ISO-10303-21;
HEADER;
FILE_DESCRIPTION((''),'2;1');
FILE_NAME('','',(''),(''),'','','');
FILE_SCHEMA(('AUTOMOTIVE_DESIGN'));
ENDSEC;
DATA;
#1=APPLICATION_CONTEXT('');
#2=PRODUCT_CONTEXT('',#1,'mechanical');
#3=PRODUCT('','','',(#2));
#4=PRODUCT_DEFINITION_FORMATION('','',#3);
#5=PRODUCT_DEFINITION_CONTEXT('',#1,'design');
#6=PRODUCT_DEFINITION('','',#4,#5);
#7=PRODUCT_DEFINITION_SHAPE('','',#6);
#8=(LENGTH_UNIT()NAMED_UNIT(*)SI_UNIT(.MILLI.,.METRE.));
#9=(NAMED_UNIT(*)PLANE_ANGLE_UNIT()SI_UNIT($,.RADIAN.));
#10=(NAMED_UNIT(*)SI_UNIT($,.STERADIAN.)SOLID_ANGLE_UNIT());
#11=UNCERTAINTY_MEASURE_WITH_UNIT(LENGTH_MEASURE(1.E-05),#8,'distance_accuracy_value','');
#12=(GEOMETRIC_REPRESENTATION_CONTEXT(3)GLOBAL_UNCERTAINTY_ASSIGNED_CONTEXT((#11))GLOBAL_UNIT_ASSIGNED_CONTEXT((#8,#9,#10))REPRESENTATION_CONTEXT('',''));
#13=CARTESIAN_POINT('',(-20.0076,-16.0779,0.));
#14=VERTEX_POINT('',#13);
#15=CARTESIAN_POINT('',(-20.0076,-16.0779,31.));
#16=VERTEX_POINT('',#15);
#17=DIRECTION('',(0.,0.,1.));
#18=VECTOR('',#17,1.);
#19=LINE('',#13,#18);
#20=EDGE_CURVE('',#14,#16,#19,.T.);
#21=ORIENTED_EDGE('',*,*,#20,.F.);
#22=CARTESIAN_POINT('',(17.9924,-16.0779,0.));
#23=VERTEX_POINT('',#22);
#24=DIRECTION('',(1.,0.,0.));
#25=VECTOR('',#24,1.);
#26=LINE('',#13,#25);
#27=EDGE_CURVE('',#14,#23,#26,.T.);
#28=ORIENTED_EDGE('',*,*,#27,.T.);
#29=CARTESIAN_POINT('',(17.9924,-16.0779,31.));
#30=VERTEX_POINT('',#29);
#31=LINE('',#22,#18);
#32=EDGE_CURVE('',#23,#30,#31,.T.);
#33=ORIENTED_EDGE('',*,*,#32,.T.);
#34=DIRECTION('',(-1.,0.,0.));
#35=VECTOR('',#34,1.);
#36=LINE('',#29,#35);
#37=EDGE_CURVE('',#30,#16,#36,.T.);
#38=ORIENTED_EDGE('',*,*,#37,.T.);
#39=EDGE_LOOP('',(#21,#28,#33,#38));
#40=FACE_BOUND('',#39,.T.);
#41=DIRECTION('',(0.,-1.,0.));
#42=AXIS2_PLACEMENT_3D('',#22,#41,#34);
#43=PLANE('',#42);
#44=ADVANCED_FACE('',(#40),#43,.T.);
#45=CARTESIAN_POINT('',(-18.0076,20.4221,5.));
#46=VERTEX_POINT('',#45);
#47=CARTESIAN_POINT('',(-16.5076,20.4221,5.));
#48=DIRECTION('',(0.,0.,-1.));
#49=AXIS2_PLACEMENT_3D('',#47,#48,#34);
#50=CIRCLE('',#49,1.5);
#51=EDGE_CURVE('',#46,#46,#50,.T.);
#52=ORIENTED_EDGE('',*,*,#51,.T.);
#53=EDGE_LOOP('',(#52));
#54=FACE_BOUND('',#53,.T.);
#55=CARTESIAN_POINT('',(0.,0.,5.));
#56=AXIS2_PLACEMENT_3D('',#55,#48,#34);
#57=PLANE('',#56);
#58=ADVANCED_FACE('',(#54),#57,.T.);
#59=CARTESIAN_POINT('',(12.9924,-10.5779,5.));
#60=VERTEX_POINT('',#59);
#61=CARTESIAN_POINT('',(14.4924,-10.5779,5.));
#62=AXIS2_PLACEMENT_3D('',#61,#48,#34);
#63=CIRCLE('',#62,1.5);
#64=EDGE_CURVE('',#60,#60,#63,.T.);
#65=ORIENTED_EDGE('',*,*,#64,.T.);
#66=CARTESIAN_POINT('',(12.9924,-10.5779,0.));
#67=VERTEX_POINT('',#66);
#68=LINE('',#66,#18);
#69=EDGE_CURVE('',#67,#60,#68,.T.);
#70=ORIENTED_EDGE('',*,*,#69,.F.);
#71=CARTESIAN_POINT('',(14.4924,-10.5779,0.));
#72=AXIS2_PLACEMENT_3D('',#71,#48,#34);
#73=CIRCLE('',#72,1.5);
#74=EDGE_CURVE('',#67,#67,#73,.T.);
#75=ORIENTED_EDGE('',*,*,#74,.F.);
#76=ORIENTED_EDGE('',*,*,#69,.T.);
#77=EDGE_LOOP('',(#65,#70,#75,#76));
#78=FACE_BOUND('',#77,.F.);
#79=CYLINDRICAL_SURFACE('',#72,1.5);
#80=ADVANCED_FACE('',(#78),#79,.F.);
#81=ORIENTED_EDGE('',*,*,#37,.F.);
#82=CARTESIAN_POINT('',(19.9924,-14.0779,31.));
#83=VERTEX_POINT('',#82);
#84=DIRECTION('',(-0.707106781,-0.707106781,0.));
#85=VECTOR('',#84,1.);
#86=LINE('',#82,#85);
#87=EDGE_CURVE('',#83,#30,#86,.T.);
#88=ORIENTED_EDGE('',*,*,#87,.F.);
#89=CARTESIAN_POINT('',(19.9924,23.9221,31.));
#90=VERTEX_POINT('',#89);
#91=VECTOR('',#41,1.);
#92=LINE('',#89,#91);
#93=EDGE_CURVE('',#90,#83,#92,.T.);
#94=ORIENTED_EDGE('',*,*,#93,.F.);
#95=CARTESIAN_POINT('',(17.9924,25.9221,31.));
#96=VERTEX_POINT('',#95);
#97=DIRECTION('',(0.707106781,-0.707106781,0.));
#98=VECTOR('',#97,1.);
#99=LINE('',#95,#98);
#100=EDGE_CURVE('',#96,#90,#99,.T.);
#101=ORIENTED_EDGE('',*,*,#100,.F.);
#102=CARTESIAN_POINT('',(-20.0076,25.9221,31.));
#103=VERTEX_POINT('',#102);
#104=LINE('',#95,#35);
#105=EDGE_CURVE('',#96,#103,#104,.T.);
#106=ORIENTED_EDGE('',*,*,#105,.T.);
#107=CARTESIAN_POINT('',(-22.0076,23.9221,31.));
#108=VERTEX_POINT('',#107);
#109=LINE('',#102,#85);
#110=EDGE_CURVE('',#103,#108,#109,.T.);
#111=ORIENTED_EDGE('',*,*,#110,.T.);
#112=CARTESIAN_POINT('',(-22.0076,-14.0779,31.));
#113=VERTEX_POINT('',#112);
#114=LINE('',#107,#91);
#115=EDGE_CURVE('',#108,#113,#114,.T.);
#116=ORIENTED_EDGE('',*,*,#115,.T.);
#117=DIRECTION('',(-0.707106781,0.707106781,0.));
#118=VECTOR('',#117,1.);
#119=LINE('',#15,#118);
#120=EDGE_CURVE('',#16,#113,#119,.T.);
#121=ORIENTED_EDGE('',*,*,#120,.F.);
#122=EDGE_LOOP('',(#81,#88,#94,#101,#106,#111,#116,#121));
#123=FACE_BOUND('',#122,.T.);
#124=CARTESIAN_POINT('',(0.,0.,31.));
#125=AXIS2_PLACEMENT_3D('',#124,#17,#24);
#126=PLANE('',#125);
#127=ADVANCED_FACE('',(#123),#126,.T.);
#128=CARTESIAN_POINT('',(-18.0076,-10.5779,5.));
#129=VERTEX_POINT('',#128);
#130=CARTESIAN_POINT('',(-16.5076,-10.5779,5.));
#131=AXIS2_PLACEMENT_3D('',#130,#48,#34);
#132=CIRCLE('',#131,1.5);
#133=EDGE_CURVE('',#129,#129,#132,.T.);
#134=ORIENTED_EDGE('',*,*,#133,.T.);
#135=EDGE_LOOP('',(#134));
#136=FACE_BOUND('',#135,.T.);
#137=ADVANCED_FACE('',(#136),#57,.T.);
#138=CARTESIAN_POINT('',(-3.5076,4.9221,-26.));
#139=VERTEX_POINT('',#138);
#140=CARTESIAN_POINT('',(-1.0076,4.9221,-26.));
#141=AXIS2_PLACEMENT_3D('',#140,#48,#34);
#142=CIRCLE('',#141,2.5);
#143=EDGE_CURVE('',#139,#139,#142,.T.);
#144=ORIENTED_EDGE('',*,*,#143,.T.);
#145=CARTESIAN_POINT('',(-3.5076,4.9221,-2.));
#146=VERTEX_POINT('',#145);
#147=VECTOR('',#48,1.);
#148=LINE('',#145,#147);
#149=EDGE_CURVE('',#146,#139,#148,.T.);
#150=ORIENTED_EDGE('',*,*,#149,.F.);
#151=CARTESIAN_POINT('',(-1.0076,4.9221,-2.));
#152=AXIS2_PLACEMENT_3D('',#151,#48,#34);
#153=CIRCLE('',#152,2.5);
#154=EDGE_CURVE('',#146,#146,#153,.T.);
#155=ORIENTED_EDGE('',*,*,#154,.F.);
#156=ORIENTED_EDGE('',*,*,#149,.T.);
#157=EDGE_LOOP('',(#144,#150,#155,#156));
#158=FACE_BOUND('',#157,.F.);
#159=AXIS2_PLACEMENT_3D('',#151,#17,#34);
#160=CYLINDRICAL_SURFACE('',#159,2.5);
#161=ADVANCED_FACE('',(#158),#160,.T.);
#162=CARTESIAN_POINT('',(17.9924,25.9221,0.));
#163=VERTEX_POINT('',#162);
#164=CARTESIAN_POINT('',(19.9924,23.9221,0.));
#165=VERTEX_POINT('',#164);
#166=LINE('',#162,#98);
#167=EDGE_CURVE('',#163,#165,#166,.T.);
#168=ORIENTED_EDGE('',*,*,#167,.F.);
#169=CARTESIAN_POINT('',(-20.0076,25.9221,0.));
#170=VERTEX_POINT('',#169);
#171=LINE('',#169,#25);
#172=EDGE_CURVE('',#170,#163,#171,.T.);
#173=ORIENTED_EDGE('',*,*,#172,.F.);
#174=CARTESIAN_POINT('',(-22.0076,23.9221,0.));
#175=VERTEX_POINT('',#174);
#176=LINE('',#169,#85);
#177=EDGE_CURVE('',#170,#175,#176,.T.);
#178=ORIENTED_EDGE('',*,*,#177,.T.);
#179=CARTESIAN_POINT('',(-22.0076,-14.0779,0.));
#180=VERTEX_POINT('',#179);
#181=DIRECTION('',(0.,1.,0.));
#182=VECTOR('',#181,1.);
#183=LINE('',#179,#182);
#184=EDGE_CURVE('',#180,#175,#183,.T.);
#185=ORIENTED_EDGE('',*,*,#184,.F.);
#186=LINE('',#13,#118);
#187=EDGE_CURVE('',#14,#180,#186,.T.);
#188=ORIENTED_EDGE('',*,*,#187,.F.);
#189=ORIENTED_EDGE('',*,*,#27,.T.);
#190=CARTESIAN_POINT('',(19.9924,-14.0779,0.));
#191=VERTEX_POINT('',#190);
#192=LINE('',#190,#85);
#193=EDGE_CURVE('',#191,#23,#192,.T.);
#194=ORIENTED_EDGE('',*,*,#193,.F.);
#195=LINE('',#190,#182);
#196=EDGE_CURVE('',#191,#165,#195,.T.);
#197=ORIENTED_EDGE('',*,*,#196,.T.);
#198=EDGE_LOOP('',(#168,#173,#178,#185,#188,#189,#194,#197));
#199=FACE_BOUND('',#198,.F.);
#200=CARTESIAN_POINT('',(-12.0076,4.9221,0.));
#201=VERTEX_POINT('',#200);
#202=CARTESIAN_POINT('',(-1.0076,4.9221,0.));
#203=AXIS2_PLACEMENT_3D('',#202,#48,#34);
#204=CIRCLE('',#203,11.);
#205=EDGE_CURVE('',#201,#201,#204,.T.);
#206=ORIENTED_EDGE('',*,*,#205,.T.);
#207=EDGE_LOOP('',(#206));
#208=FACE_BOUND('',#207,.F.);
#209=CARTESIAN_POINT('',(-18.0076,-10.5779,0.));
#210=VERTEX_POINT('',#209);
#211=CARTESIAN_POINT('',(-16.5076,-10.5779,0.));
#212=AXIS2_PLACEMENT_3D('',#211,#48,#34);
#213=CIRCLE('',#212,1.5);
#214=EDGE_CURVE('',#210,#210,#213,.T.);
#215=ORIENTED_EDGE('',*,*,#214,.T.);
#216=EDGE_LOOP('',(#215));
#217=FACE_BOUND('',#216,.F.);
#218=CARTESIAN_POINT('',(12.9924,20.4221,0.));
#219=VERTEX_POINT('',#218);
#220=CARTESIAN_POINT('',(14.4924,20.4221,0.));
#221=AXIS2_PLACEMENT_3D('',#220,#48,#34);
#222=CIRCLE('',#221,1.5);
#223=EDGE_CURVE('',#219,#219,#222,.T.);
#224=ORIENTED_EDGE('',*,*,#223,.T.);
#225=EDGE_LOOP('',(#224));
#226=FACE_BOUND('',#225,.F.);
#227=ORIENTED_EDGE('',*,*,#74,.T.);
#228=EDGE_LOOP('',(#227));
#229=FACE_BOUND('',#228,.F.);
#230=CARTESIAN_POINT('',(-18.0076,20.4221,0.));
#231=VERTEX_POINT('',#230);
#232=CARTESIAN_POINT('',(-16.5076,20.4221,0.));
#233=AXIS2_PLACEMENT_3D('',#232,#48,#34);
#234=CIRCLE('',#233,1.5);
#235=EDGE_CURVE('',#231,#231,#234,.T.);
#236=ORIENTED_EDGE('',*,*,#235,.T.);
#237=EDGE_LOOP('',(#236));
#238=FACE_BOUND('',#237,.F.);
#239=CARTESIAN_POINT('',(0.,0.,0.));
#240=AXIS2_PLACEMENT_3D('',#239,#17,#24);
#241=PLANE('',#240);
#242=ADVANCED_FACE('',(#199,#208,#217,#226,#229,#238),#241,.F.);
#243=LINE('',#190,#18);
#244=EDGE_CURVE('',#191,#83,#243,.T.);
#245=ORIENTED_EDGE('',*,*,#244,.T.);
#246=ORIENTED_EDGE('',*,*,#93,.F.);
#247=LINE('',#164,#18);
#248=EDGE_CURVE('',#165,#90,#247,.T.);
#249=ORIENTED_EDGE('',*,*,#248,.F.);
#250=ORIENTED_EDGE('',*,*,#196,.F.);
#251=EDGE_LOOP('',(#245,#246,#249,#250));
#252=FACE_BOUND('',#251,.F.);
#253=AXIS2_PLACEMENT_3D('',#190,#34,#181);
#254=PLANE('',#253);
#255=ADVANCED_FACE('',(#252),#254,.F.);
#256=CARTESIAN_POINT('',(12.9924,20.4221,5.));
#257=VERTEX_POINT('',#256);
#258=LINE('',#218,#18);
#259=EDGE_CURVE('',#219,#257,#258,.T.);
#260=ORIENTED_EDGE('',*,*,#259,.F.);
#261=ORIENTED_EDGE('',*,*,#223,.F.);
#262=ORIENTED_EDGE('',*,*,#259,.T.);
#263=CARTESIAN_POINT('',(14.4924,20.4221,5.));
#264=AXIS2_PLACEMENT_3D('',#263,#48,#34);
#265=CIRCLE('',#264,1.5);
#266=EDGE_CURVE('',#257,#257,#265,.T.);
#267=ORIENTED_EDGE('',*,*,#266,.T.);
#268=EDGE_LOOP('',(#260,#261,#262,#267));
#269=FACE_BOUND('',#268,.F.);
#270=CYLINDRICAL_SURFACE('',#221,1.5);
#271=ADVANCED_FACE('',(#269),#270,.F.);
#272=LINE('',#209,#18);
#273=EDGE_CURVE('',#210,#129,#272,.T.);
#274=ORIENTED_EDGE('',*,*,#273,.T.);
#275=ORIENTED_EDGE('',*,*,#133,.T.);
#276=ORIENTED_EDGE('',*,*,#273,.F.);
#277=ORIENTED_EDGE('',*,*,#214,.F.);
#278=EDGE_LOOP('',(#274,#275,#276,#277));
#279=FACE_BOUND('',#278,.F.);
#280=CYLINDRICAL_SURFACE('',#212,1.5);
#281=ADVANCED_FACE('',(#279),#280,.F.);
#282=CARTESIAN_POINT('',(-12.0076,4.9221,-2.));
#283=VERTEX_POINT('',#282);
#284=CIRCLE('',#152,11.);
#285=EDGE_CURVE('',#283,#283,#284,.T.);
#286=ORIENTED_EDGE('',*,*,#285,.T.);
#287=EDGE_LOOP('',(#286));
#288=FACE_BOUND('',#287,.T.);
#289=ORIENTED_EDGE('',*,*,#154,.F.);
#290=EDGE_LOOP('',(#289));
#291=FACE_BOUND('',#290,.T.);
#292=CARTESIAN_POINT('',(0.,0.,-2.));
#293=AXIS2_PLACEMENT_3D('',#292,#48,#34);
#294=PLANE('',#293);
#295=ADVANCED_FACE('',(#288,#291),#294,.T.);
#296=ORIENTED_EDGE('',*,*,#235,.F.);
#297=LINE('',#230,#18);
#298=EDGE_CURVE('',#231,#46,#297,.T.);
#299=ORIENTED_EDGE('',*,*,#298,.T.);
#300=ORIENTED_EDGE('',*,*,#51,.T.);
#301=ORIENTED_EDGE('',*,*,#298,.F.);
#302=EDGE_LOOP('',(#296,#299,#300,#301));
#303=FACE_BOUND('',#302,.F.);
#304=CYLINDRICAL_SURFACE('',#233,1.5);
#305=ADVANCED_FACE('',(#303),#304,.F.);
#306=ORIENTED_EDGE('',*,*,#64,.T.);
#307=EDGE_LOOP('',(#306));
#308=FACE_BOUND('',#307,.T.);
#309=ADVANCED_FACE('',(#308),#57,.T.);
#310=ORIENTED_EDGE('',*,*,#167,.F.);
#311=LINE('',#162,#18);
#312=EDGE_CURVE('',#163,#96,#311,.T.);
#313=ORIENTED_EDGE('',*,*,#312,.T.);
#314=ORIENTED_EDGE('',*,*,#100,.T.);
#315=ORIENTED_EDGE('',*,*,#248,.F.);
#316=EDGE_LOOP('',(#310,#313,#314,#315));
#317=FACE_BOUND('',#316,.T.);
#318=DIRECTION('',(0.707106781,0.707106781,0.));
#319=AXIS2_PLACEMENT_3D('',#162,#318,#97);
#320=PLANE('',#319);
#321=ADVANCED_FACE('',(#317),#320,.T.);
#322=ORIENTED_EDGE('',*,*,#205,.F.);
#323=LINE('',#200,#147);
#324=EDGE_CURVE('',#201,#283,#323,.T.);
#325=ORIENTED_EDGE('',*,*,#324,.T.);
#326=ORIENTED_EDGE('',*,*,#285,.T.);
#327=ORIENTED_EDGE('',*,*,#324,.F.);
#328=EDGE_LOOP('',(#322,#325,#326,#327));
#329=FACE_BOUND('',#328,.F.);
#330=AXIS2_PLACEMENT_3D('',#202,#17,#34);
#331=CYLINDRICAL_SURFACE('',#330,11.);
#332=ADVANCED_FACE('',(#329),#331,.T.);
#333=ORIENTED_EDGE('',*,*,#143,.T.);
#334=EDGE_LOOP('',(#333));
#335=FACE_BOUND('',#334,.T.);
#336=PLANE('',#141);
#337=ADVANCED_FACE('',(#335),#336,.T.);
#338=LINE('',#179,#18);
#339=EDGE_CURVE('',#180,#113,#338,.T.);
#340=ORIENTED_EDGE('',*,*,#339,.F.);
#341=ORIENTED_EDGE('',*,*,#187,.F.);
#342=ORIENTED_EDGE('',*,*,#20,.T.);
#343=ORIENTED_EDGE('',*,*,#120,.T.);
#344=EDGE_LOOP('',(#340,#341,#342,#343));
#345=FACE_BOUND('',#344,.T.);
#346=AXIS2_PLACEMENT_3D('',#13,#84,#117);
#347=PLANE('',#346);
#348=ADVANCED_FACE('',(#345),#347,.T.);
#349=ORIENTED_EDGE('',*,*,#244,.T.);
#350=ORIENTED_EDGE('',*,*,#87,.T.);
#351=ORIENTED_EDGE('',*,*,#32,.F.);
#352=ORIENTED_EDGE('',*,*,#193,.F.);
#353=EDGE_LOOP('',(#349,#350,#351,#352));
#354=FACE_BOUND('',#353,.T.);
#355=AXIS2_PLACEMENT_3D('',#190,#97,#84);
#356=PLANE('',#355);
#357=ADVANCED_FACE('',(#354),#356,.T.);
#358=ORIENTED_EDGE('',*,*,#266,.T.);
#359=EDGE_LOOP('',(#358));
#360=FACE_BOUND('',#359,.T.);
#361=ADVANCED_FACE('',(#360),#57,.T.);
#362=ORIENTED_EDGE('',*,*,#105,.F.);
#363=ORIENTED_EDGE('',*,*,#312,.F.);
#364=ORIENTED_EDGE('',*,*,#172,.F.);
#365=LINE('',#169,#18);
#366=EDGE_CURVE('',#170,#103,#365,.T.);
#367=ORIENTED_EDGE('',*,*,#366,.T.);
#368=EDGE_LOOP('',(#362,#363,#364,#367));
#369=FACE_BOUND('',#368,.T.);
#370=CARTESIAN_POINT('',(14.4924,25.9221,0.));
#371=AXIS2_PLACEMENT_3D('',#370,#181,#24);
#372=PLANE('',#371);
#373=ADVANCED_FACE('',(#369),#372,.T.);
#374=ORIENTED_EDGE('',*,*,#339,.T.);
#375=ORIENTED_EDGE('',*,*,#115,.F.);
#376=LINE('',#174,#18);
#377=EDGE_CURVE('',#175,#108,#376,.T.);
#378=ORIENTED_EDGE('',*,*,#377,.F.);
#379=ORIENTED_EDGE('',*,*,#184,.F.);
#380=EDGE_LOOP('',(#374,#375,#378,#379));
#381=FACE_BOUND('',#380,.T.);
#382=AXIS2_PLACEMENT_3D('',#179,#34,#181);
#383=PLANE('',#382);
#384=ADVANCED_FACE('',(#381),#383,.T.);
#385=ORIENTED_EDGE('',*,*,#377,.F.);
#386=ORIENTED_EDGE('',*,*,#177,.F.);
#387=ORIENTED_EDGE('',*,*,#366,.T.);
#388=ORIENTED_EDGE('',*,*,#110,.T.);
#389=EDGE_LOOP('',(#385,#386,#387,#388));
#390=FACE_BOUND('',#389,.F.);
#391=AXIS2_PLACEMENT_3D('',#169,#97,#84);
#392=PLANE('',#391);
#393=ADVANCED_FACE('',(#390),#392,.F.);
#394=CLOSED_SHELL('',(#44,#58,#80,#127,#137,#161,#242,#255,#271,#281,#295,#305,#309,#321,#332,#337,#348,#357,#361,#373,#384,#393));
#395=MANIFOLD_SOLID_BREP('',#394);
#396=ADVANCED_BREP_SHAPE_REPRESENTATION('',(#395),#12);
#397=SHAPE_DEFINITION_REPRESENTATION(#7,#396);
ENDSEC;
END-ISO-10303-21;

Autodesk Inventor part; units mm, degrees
ref_plane "YZ Plane" through (0, 0, 0) normal (1, 0, 0) x (0, 1, 0)
ref_plane "XZ Plane" through (0, 0, 0) normal (0, 1, 0) x (-1, 0, 0)
ref_plane "XY Plane" through (0, 0, 0) normal (0, 0, 1) x (1, 0, 0)
sketch "Sketch1" plane through (0, 0, 0) normal (0, 0, 1) x (1, 0, 0)
  line L0 (19.9924, -21.8579) -> (16.7724, -25.0779) projected
  line L1 (19.9924, -21.8579) -> (19.9924, 20.4221) projected
  arc A0 (19.9924, 20.4221) -> (14.4924, 25.9221) centre (14.4924, 20.4221) ccw construction
  line L2 (14.4924, 25.9221) -> (14.2174, 25.9221) projected
  line L3 (14.2174, 25.9221) -> (14.2174, 26.4221) projected
  line L4 (9.7174, 30.9221) -> (14.2174, 26.4221) projected
  line L5 (-3.2826, 30.9221) -> (3.2174, 30.9221) projected
  line L6 (-7.7826, 26.4221) -> (-3.2826, 30.9221) projected
  line L7 (-7.7826, 25.9221) -> (-7.7826, 26.4221) projected
  line L8 (-7.7826, 25.9221) -> (-16.5076, 25.9221) projected
  arc A1 (-16.5076, 25.9221) -> (-22.0076, 20.4221) centre (-16.5076, 20.4221) ccw construction
  line L9 (-22.0076, 20.4221) -> (-22.0076, -10.5779) projected
  arc A2 (-22.0076, -10.5779) -> (-16.5076, -16.0779) centre (-16.5076, -10.5779) ccw construction
  line L10 (-16.5076, -16.0779) -> (-13.0076, -16.0779) projected
  line L11 (-13.0076, -16.0779) -> (-13.0076, -21.8579) projected
  line L12 (-9.7876, -25.0779) -> (-13.0076, -21.8579) projected
  line L13 (-9.7876, -25.0779) -> (-9.7826, -25.0779) projected
  line L14 (-12.7826, -28.0779) -> (-9.7826, -25.0779) projected
  line L15 (-15.5326, -28.0779) -> (-12.7826, -28.0779) projected
  line L16 (-15.5326, -28.0779) -> (-15.5326, -66.0779) projected
  arc A3 (-15.5326, -66.0779) -> (-9.5326, -72.0779) centre (-9.5326, -66.0779) ccw projected
  line L17 (-9.5326, -72.0779) -> (15.9674, -72.0779) projected
  arc A4 (15.9674, -72.0779) -> (21.9674, -66.0779) centre (15.9674, -66.0779) ccw projected
  line L18 (21.9674, -28.0779) -> (21.9674, -66.0779) projected
  line L19 (19.2174, -28.0779) -> (21.9674, -28.0779) projected
  line L20 (19.2174, -28.0779) -> (16.2174, -25.0779) projected
  line L21 (16.2174, -25.0779) -> (16.7724, -25.0779) projected
  circle A5 centre (-16.5076, 20.4221) radius 1.7 construction
  circle A6 centre (14.4924, 20.4221) radius 1.7 construction
  circle A7 centre (14.4924, -10.5779) radius 1.7 construction
  circle A8 centre (-16.5076, -10.5779) radius 1.7 construction
  circle A9 centre (14.7174, -41.5779) radius 2.25 projected
  circle A10 centre (-8.2826, -41.5779) radius 2.25 projected
  circle A11 centre (14.7174, -64.5779) radius 2.25 projected
  circle A12 centre (-8.2826, -64.5779) radius 2.25 projected
  circle A13 centre (-1.0076, 4.9221) radius 12.5 construction
  line L22 (-20.0076, 25.9221) -> (17.9924, 25.9221)
  line L23 (19.9924, 23.9221) -> (19.9924, -14.0779)
  line L24 (17.9924, -16.0779) -> (-20.0076, -16.0779)
  line L25 (-22.0076, -14.0779) -> (-22.0076, 23.9221)
  line L26 (-22.0076, 25.9221) -> (19.9924, -16.0779) construction
  line L27 (19.9924, 25.9221) -> (-22.0076, -16.0779) construction
  line L28 (-20.0076, 25.9221) -> (-22.0076, 23.9221)
  line L29 (17.9924, 25.9221) -> (19.9924, 23.9221)
  line L30 (19.9924, -14.0779) -> (17.9924, -16.0779)
  line L31 (-20.0076, -16.0779) -> (-22.0076, -14.0779)
  line L32 (7.7174, 40.9221) -> (8.8956, 39.0987) projected
  line L33 (5.2174, 40.9221) -> (7.7174, 40.9221) projected
  line L34 (3.2174, 38.9221) -> (5.2174, 40.9221) projected
  line L35 (3.2174, 30.9221) -> (3.2174, 38.9221) projected
  arc A14 (8.8956, 39.0987) -> (9.7174, 30.9221) centre (18.3776, 35.9221) ccw projected
  point P0 (0, 0)
  dimension "d0" = 2
  dimension "d1" = 2
  dimension "d2" = 2
  dimension "d3" = 2
  dimension "d4" = 2
  dimension "d5" = 2
  dimension "d6" = 2
  dimension "d7" = 2
extrude "Extrusion1" add sketch "Sketch1" along normal blind 31 contours L30 L24 L10 L31 L25 L9 L28 L22 L8 L2 L29 L23 L1
sketch "Sketch2" plane through (0, 0, 0) normal (0, 0, -1) x (-1, 0, 0)
  circle A0 centre (1.0076, 4.9221) radius 12.5 projected
  circle A1 centre (1.0076, 4.9221) radius 11
  point P0 (0, 0)
  dimension "d10" = 22
extrude "Extrusion2" add sketch "Sketch2" along normal blind 2 contours A1
sketch "Sketch3" plane through (0, 0, 0) normal (0, 0, -1) x (-1, 0, 0)
  line L0 (20.0076, 25.9221) -> (22.0076, 23.9221) projected
  line L1 (-19.9924, 23.9221) -> (-17.9924, 25.9221) projected
  line L2 (-17.9924, -16.0779) -> (-19.9924, -14.0779) projected
  line L3 (22.0076, -14.0779) -> (20.0076, -16.0779) projected
  circle A0 centre (-14.4924, 20.4221) radius 1.5
  circle A1 centre (16.5076, 20.4221) radius 1.5
  line L4 (-18.9924, 24.9221) -> (21.0076, -15.0779) construction
  line L5 (21.0076, 24.9221) -> (-18.9924, -15.0779) construction
  circle A2 centre (-14.4924, -10.5779) radius 1.5
  circle A3 centre (16.5076, -10.5779) radius 1.5
  point P0 (0, 0)
  dimension "d13" = 31
  dimension "d14" = 3
extrude "Extrusion3" cut sketch "Sketch3" against normal blind 5
sketch "Sketch4" plane through (-1.0076, 4.9221, -2) normal (0, 0, -1) x (-1, 0, 0)
  circle A0 centre (0, 0) radius 11 projected
  circle A1 centre (0, 0) radius 2.5
  point P0 (-1.0076, -4.9221)
  dimension "d17" = 5
extrude "Extrusion4" add sketch "Sketch4" along normal blind 24 contours A1
equation "\"d1\" = d0"
equation "\"d2\" = d0"
equation "\"d3\" = d2"
equation "\"d4\" = d0"
equation "\"d5\" = d4"
equation "\"d6\" = d0"
equation "\"d7\" = d6"
properties part number "NEMA17"
